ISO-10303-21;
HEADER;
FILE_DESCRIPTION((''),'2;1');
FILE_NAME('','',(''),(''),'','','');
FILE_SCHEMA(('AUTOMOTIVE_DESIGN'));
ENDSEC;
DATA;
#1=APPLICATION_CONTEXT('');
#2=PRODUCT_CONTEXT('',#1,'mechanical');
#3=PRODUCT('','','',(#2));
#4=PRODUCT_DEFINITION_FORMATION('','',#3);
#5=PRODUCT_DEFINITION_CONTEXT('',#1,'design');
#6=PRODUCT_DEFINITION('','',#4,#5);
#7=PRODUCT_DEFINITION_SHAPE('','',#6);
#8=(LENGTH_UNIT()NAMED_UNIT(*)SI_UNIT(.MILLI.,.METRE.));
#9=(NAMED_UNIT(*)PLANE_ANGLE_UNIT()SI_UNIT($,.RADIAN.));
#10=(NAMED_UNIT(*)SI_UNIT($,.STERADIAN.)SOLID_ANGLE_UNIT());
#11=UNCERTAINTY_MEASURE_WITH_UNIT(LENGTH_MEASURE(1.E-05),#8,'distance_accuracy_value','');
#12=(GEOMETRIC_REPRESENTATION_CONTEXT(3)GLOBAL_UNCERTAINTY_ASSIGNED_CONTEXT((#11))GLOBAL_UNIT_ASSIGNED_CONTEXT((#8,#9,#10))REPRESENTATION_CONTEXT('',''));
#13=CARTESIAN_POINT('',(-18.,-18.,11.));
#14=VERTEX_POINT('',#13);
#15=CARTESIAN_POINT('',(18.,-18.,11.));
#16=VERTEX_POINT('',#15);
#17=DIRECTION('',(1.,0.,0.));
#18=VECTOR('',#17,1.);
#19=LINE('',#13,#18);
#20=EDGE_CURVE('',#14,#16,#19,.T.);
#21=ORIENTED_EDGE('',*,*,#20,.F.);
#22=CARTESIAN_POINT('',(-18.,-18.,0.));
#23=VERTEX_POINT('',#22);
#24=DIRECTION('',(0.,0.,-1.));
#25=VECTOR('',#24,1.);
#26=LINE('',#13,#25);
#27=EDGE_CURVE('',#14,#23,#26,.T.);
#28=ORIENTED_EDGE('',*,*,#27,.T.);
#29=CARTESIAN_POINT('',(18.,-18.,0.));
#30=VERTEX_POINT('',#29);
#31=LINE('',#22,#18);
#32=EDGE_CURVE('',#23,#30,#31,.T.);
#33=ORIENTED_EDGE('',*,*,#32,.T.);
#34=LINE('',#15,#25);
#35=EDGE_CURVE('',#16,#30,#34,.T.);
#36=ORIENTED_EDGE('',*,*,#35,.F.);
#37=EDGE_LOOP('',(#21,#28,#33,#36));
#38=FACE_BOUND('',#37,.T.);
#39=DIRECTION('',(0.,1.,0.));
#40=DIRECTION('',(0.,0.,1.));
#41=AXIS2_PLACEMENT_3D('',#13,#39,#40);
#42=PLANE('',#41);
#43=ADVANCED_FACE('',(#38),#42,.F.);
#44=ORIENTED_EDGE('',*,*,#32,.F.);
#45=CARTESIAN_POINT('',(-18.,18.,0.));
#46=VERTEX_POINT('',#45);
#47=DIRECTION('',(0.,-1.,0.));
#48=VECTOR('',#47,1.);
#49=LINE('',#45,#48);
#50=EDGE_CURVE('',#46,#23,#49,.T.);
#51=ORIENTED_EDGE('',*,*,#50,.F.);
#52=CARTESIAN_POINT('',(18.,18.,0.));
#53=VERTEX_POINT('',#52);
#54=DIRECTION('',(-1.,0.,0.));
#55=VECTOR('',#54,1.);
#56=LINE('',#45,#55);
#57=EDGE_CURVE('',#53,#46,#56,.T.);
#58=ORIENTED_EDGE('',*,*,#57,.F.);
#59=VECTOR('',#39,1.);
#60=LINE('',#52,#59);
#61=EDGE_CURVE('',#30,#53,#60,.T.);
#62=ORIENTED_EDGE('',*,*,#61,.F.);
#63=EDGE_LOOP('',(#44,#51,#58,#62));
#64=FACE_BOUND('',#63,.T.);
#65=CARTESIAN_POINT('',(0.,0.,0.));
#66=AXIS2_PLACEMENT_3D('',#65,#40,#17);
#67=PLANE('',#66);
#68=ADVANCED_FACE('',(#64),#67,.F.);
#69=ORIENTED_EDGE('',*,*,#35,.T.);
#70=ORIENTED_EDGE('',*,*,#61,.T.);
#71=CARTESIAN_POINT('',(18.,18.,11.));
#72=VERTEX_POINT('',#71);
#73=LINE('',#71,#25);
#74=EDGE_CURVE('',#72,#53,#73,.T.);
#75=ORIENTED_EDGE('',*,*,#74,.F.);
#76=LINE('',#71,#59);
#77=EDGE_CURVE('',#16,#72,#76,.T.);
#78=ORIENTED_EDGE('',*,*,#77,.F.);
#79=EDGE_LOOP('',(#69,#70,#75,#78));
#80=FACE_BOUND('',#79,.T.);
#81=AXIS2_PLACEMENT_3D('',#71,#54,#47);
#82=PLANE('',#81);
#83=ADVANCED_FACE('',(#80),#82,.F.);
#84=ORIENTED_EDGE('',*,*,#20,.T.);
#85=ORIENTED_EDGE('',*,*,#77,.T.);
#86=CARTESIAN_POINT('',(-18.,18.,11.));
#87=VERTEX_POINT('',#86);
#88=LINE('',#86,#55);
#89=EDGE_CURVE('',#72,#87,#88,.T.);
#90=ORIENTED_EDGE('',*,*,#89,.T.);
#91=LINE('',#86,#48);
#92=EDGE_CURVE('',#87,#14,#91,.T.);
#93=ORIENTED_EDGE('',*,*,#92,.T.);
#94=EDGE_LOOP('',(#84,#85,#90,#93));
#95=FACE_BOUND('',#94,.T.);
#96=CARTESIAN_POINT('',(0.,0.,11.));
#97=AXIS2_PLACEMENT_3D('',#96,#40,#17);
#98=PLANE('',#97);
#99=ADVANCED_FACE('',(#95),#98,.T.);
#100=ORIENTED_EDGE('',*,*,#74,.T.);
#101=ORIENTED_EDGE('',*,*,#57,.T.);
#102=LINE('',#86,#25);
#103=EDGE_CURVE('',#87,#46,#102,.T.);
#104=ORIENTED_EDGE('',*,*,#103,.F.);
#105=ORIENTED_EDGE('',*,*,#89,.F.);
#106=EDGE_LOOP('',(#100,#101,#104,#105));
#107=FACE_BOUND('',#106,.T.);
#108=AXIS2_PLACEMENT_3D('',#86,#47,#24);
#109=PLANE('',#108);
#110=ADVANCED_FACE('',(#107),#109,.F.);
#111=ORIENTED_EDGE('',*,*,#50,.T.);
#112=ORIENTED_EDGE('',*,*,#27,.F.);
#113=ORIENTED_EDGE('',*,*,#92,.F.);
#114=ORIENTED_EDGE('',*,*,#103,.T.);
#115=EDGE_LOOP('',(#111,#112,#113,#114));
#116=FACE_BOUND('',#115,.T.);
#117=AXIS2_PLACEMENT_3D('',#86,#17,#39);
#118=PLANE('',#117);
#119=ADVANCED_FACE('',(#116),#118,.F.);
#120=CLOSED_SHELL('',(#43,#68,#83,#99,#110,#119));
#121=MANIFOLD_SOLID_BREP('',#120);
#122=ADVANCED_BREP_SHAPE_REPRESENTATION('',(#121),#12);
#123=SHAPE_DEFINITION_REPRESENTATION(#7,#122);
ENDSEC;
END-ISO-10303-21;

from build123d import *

# Parameters (mm, degrees)
SKETCH_1_W      = 36
SKETCH_1_H      = 36
EXTRUDE_1_DEPTH = 11


with BuildPart() as part:
    # 草图1 → 凸台-拉伸1 (new body)
    with BuildSketch(Plane.XY):
        Rectangle(SKETCH_1_W, SKETCH_1_H)
    extrude(amount=EXTRUDE_1_DEPTH)


solid = part.part
